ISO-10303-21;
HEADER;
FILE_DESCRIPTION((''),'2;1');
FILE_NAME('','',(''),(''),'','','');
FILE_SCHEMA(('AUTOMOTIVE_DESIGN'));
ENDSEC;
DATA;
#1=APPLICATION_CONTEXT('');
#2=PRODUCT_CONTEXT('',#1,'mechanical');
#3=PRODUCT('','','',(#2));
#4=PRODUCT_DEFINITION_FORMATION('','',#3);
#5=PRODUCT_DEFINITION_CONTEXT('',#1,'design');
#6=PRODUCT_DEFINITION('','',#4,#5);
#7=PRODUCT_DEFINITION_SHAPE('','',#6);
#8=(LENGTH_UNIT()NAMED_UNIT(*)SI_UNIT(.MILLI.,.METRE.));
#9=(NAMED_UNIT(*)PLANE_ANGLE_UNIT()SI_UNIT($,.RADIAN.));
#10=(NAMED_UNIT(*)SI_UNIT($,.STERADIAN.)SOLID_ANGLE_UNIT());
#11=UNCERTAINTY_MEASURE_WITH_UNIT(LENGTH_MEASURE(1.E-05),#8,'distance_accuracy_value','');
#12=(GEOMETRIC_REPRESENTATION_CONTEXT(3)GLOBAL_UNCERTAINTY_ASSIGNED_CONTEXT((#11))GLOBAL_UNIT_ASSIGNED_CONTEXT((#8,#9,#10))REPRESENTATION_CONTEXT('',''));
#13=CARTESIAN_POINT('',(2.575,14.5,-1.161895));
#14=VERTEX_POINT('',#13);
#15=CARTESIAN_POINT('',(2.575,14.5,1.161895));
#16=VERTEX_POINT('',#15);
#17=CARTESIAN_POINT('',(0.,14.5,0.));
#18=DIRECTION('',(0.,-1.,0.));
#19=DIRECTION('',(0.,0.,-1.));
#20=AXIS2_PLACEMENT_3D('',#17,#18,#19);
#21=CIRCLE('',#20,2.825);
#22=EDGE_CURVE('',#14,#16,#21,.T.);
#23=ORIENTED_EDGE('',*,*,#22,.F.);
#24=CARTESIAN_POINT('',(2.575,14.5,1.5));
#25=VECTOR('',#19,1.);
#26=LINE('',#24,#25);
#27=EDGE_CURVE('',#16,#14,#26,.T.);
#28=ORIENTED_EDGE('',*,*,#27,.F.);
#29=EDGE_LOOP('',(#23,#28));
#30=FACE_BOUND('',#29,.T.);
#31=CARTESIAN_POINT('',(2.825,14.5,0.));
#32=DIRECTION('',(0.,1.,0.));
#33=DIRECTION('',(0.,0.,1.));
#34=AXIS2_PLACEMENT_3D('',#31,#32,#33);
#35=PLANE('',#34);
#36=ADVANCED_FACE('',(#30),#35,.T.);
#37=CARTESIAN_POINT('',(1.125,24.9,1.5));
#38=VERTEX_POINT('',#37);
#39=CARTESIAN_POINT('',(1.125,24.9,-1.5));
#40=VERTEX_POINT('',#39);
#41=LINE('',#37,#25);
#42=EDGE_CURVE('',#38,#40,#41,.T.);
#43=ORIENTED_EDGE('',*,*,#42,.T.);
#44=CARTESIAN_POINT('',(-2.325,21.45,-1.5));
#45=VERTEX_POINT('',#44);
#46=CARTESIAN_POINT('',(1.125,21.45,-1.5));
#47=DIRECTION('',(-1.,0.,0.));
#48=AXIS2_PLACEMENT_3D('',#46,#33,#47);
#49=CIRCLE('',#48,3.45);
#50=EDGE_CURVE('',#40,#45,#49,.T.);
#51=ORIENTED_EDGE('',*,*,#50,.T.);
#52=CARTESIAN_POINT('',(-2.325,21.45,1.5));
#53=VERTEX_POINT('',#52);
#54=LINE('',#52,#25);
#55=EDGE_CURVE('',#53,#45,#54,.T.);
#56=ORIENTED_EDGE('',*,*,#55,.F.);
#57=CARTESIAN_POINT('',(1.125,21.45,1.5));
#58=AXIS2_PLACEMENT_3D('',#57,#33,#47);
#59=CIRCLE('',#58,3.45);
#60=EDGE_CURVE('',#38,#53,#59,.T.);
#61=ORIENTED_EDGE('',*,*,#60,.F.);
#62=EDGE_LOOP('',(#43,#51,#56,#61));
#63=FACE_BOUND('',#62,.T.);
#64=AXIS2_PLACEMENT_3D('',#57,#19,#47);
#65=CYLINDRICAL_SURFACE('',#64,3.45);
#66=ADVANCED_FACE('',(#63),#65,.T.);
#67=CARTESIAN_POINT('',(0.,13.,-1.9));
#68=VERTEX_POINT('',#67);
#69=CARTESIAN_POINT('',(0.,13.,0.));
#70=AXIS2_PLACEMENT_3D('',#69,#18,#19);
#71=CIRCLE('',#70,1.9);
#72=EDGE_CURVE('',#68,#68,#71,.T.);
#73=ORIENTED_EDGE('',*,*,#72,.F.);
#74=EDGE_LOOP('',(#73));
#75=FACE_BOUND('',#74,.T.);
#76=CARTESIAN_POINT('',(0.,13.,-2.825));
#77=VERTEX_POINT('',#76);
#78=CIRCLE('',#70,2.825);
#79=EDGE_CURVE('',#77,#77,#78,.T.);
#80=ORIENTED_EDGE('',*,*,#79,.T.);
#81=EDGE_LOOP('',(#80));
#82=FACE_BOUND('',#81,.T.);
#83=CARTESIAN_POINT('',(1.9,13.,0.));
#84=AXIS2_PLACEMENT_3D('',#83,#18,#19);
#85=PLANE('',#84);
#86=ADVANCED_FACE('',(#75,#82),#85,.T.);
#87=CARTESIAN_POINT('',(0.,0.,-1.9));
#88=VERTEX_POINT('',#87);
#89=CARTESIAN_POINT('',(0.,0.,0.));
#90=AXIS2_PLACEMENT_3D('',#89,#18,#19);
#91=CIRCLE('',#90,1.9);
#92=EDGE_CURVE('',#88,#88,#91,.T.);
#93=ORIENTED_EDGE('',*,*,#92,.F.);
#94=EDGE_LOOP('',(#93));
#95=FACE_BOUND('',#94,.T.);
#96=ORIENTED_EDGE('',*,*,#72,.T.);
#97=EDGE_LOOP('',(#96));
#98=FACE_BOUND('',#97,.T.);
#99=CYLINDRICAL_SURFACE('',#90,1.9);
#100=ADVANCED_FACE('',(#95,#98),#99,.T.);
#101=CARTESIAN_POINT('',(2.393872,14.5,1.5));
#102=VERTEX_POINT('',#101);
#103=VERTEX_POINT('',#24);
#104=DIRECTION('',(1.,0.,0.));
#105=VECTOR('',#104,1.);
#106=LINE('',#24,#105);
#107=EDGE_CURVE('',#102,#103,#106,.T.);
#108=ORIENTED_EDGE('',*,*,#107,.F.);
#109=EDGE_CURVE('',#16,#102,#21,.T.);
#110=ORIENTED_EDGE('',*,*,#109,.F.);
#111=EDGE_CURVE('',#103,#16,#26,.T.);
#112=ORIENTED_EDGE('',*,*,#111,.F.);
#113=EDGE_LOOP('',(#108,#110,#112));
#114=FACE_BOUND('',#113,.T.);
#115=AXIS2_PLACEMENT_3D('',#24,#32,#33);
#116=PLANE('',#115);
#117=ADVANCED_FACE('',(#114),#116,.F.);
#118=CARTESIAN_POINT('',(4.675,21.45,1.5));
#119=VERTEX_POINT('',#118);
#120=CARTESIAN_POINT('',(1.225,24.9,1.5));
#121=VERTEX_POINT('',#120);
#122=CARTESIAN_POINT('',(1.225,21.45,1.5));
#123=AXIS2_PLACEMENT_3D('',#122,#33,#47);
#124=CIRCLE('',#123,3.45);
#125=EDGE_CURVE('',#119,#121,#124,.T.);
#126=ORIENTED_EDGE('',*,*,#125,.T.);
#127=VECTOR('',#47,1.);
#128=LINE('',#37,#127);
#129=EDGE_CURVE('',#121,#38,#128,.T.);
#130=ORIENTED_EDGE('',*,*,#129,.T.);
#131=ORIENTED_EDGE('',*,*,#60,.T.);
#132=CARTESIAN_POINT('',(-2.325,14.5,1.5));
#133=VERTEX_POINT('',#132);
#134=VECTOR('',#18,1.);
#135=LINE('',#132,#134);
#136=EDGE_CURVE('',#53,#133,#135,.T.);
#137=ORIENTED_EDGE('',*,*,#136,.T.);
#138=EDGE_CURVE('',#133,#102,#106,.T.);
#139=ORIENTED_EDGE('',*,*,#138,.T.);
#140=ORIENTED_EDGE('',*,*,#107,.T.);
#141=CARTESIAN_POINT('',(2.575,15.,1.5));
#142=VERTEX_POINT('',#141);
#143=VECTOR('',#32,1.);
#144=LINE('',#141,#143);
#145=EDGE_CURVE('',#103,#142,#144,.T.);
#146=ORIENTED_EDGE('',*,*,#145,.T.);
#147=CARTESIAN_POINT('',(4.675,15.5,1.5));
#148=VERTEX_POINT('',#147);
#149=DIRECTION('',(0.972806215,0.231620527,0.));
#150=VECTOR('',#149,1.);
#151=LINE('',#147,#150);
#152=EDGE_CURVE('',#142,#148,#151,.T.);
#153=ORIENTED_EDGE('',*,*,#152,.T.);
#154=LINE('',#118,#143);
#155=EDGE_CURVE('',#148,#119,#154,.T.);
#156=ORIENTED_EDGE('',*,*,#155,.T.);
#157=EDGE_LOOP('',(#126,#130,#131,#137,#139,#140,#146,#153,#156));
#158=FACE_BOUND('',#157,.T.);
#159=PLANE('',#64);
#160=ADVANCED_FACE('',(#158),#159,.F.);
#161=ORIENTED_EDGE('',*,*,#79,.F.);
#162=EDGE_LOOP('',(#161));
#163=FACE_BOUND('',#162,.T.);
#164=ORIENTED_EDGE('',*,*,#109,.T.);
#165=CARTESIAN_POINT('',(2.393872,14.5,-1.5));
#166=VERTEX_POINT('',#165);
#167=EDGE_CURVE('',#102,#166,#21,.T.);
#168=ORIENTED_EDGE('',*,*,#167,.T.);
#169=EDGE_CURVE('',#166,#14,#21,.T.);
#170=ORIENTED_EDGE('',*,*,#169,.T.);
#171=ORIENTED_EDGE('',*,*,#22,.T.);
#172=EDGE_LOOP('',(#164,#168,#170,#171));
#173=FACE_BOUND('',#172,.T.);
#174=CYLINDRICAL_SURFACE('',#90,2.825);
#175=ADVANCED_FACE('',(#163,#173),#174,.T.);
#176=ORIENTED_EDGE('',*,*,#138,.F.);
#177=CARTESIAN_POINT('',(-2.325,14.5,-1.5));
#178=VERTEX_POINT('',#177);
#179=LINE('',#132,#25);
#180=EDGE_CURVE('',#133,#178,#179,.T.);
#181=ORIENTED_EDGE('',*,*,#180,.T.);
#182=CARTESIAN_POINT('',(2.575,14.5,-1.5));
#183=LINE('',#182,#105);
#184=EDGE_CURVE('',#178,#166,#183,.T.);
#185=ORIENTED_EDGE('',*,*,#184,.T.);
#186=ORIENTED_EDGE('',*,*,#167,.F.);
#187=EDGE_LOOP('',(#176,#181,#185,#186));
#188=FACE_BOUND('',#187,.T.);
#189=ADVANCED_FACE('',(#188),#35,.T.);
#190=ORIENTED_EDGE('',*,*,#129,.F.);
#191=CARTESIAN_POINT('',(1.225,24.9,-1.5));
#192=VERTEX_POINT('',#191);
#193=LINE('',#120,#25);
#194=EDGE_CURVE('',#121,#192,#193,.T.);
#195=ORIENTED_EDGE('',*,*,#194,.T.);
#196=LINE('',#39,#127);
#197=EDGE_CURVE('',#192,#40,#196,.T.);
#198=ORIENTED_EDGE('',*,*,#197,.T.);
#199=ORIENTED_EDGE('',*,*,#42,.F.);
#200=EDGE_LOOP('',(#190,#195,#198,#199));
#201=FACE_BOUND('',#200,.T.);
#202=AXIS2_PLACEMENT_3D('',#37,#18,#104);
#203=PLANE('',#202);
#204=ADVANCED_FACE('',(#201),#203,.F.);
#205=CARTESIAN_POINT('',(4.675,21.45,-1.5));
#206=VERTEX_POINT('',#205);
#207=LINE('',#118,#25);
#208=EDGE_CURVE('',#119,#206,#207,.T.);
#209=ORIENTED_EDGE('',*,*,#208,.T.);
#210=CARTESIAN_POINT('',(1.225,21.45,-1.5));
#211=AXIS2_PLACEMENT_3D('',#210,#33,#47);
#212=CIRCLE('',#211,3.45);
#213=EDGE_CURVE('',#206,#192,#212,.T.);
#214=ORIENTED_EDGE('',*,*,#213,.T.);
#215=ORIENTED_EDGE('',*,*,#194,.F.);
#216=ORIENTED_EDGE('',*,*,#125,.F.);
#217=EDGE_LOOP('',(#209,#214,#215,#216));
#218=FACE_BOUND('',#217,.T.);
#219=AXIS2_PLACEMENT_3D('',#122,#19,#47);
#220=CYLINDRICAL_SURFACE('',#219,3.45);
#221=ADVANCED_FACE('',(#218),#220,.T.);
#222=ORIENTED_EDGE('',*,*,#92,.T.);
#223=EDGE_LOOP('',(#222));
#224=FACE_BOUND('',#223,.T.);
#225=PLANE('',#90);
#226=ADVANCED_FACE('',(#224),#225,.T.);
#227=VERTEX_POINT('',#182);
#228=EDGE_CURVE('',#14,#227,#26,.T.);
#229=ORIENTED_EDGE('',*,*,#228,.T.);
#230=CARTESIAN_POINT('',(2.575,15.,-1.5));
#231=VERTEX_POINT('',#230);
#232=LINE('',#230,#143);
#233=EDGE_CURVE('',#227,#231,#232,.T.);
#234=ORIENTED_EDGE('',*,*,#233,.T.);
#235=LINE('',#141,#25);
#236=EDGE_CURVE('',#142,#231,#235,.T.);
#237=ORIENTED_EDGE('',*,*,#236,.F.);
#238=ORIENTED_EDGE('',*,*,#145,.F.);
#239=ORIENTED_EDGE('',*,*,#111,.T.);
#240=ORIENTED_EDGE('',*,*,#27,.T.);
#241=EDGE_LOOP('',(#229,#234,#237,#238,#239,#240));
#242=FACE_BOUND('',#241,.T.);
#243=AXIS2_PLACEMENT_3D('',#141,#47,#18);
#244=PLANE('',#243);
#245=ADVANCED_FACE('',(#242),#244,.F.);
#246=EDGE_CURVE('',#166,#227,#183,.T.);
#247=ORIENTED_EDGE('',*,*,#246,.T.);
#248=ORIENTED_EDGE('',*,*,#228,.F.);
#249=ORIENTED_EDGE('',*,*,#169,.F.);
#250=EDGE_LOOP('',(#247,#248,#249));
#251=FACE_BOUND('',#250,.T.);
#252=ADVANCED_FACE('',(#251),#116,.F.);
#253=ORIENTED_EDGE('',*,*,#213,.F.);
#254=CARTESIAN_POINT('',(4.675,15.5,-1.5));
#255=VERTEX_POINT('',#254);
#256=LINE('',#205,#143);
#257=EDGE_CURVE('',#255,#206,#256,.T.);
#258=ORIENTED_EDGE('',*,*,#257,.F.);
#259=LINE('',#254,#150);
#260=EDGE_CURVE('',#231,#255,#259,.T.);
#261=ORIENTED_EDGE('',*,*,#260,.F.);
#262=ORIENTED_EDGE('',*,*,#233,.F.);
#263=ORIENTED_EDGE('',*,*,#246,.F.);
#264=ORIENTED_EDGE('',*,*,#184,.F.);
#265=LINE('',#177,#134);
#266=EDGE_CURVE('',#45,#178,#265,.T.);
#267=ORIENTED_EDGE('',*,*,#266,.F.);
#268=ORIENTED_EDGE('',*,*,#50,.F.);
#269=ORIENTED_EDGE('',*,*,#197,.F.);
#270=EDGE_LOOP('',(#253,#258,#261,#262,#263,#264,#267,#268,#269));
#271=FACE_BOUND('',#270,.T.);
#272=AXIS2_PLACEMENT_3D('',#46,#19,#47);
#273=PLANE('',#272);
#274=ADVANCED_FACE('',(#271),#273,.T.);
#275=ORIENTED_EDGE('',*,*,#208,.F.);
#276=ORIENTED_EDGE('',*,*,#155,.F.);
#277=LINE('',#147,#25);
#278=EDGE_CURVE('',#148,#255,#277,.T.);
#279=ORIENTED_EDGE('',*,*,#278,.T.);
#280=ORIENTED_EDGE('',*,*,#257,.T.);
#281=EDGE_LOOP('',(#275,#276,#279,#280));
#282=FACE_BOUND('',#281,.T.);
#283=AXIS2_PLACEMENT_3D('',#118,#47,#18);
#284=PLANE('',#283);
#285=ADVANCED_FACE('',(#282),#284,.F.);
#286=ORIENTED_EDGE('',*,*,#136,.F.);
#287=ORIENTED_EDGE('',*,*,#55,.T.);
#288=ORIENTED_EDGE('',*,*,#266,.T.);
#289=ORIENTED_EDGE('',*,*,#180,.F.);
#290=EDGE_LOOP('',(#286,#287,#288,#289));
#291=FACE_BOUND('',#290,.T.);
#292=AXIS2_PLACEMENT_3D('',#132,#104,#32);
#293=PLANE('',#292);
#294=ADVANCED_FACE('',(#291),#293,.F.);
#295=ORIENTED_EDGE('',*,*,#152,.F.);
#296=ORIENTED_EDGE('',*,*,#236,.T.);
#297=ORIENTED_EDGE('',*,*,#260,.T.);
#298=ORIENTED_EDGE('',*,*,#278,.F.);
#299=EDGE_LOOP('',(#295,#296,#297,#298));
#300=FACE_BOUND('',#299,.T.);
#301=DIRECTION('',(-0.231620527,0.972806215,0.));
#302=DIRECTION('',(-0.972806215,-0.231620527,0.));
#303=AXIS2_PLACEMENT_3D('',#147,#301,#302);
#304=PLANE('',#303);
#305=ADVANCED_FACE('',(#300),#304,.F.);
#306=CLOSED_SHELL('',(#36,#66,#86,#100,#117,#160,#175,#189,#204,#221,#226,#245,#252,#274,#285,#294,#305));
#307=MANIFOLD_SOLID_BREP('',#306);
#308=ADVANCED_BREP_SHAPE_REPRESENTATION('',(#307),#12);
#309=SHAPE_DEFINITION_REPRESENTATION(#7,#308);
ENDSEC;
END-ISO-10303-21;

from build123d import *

# Parameters (mm, degrees)
BOSS_EXTRUDE1_DEPTH = 1.5


with BuildPart() as part:
    # Sketch1 → Revolve1 (revolve)
    with BuildSketch(Plane.XY):
        Polygon((0, 0), (1.9, 0), (1.9, 13), (2.825, 13), (2.825, 14.5), (0, 14.5), align=None)
    revolve(axis=Axis((0, 0, 0), (0, 1, 0)))

    # Sketch2 → Boss-Extrude1 (add, symmetric)
    with BuildSketch(Plane.XY):
        with BuildLine():
            Line((-2.325, 14.5), (-2.325, 21.45))
            ThreePointArc((-2.325, 21.45), (-1.314518395, 23.889518395), (1.125, 24.9))
            Line((1.125, 24.9), (1.225, 24.9))
            ThreePointArc((1.225, 24.9), (3.664518395, 23.889518395), (4.675, 21.45))
            Line((4.675, 21.45), (4.675, 15.5))
            Line((4.675, 15.5), (2.575, 15))
            Line((2.575, 15), (2.575, 14.5))
            Line((2.575, 14.5), (-2.325, 14.5))
        make_face()
    extrude(amount=BOSS_EXTRUDE1_DEPTH, both=True)


solid = part.part
